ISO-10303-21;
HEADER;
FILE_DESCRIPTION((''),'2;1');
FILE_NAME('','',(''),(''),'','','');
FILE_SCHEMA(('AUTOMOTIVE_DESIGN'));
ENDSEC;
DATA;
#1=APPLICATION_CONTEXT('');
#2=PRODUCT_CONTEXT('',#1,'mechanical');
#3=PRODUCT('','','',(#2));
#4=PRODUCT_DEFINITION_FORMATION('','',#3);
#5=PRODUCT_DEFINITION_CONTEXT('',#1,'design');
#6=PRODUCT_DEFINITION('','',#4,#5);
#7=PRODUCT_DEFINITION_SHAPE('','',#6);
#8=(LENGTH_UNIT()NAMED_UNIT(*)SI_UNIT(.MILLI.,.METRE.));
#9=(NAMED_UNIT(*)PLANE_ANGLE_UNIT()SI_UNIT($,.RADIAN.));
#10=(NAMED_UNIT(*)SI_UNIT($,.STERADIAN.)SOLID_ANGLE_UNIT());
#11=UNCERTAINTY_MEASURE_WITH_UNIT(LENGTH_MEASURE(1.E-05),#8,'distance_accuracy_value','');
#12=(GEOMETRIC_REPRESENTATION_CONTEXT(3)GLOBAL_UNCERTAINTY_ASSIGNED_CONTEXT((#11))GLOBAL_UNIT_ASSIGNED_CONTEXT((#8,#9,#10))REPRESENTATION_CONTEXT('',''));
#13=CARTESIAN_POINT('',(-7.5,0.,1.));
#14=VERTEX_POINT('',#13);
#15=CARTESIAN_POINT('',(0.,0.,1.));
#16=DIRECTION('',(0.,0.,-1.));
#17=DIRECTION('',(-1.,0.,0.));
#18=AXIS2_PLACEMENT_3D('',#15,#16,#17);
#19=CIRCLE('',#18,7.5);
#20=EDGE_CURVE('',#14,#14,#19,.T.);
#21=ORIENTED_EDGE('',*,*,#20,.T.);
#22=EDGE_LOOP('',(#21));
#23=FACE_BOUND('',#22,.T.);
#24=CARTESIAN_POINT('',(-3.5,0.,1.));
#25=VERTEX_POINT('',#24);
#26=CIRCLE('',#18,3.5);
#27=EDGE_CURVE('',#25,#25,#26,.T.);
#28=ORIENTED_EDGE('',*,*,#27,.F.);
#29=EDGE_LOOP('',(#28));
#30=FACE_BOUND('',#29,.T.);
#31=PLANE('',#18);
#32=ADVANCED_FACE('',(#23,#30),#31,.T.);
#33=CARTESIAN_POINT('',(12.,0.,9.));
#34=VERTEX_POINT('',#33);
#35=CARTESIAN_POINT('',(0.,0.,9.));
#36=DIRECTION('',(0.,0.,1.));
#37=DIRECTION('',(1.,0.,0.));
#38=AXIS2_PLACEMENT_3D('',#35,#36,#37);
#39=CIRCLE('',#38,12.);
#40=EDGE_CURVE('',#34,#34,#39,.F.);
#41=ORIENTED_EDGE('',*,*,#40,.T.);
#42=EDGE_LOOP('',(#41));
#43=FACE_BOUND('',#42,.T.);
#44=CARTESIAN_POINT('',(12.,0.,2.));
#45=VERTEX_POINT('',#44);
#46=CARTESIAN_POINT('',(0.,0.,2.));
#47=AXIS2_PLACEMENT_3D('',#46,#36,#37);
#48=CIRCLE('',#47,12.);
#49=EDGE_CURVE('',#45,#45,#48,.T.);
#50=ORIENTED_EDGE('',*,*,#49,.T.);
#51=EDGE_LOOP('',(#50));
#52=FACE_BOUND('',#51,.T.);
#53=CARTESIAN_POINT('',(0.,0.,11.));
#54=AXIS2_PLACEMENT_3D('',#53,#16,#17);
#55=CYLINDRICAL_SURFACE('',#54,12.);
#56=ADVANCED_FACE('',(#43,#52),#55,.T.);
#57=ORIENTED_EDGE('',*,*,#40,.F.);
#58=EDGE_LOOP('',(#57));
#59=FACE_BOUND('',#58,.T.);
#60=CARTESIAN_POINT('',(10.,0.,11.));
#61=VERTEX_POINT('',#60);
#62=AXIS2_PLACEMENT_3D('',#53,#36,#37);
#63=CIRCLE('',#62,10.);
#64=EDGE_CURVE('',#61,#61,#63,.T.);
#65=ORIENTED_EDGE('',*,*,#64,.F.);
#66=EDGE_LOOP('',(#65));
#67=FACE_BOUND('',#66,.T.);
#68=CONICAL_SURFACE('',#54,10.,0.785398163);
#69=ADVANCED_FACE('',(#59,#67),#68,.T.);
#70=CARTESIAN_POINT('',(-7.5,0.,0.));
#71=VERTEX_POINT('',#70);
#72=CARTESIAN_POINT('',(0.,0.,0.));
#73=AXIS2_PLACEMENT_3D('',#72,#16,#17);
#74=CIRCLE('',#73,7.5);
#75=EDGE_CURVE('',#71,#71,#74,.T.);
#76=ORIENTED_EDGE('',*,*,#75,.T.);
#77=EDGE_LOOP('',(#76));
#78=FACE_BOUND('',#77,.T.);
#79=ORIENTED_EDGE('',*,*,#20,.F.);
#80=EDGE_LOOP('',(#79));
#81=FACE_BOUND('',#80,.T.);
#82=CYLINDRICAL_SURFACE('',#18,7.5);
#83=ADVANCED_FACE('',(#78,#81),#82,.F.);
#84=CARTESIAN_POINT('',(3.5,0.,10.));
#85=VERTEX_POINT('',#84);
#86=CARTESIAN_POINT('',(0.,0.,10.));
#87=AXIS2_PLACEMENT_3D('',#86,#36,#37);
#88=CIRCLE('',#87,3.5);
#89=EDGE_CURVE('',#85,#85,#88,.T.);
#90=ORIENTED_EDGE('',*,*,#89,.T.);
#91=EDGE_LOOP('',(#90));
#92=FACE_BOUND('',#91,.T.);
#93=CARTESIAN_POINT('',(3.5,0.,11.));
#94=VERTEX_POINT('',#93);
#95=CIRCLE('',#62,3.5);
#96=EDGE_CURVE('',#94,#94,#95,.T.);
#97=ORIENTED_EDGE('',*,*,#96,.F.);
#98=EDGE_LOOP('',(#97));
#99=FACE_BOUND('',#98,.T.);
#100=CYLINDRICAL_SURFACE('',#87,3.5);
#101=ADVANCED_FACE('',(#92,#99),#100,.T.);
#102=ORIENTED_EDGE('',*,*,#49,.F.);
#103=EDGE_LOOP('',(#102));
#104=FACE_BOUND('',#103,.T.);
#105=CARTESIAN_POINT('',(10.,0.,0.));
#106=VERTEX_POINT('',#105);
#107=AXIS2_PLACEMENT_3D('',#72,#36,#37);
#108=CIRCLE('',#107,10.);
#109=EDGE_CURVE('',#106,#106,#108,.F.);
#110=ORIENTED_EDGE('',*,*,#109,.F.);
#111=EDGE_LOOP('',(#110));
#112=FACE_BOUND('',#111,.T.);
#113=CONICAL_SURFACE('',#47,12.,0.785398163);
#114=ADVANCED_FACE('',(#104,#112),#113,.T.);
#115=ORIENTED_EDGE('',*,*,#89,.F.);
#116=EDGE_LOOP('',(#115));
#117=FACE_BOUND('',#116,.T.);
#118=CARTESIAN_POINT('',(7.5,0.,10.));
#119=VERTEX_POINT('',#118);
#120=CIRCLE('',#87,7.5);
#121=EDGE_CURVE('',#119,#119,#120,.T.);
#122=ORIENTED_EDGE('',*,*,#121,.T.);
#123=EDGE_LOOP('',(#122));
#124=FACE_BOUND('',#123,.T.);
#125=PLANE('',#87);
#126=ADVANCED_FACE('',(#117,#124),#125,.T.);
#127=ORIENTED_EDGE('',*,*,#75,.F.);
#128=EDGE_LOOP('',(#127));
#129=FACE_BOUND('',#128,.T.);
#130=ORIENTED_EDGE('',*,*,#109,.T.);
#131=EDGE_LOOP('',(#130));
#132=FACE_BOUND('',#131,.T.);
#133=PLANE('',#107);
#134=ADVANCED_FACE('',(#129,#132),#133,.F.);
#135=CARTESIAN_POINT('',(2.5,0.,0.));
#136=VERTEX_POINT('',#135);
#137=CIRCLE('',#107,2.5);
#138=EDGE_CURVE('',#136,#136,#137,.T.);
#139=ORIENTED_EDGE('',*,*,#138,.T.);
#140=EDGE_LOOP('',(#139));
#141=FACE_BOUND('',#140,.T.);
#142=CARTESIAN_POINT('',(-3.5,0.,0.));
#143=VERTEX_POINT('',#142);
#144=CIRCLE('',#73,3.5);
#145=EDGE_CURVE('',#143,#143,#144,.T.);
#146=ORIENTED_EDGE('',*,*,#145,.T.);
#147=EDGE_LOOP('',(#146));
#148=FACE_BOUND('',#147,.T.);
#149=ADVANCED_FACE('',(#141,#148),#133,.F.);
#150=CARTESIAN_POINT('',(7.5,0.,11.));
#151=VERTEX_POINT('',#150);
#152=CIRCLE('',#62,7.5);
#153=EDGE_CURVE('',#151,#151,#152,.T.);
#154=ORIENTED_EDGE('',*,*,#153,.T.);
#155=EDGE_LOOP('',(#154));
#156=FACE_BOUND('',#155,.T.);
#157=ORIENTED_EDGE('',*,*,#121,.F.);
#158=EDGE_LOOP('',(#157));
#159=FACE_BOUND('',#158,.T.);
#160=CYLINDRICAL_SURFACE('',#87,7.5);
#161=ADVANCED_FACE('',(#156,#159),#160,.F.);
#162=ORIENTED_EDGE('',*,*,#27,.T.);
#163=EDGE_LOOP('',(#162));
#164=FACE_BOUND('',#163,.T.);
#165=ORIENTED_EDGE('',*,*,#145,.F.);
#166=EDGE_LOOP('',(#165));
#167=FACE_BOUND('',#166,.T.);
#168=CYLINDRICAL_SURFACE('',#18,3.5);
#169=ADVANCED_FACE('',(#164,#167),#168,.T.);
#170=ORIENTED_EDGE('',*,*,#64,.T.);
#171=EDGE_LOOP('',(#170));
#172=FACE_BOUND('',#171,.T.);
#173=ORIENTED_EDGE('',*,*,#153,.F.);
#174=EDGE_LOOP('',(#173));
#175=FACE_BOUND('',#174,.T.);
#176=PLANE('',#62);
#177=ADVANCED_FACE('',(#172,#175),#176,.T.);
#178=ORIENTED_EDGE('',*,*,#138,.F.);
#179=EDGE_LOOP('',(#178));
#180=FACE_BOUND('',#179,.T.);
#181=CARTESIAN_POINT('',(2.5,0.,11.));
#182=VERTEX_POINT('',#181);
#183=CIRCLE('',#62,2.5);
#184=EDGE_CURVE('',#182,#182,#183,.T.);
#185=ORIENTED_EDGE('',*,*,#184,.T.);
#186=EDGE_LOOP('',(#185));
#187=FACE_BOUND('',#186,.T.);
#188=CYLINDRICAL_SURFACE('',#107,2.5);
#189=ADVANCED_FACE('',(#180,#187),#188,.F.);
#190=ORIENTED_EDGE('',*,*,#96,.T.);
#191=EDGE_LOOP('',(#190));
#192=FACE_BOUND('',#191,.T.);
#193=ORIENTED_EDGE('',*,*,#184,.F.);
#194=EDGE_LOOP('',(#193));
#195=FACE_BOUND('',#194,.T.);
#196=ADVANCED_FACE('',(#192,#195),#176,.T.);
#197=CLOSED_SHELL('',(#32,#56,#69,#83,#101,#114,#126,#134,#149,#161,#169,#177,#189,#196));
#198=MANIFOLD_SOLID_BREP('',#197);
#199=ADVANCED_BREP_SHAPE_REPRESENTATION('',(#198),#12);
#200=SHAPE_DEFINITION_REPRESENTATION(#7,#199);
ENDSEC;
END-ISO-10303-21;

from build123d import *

# Parameters (mm, degrees)
SKETCH1_R           = 12
BOSS_EXTRUDE1_DEPTH = 11
CHAMFER1_SIZE       = 2
SKETCH2_R           = 2.5
CUT_EXTRUDE1_DEPTH  = 12
SKETCH3_R           = 7.5
SKETCH3_R_2         = 3.5
CUT_EXTRUDE2_DEPTH  = 1
SKETCH4_R           = 7.5
SKETCH4_R_2         = 3.5
CUT_EXTRUDE3_DEPTH  = 1


with BuildPart() as part:
    # Sketch1 → Boss-Extrude1 (new body)
    with BuildSketch(Plane.XY):
        Circle(SKETCH1_R)
    extrude(amount=BOSS_EXTRUDE1_DEPTH)

    # Chamfer1
    chamfer1_edges = [part.edges().sort_by_distance(p)[0] for p in [
        (-12, 0, 0),
        (-12, 0, 11),
    ]]
    chamfer(chamfer1_edges, length=CHAMFER1_SIZE)

    # Sketch2 → Cut-Extrude1 (cut, through all)
    with BuildSketch(Plane.XY.offset(11)):
        Circle(SKETCH2_R)
    extrude(amount=-CUT_EXTRUDE1_DEPTH, mode=Mode.SUBTRACT)

    # Sketch3 → Cut-Extrude2 (cut)
    with BuildSketch(Plane.XY.offset(11)):
        Circle(SKETCH3_R)
        Circle(SKETCH3_R_2, mode=Mode.SUBTRACT)
    extrude(amount=-CUT_EXTRUDE2_DEPTH, mode=Mode.SUBTRACT)

    # Sketch4 → Cut-Extrude3 (cut)
    with BuildSketch(Plane(origin=(0, 0, 0), x_dir=(-1, 0, 0), z_dir=(0, 0, -1))):
        Circle(SKETCH4_R)
        Circle(SKETCH4_R_2, mode=Mode.SUBTRACT)
    extrude(amount=-CUT_EXTRUDE3_DEPTH, mode=Mode.SUBTRACT)


solid = part.part
